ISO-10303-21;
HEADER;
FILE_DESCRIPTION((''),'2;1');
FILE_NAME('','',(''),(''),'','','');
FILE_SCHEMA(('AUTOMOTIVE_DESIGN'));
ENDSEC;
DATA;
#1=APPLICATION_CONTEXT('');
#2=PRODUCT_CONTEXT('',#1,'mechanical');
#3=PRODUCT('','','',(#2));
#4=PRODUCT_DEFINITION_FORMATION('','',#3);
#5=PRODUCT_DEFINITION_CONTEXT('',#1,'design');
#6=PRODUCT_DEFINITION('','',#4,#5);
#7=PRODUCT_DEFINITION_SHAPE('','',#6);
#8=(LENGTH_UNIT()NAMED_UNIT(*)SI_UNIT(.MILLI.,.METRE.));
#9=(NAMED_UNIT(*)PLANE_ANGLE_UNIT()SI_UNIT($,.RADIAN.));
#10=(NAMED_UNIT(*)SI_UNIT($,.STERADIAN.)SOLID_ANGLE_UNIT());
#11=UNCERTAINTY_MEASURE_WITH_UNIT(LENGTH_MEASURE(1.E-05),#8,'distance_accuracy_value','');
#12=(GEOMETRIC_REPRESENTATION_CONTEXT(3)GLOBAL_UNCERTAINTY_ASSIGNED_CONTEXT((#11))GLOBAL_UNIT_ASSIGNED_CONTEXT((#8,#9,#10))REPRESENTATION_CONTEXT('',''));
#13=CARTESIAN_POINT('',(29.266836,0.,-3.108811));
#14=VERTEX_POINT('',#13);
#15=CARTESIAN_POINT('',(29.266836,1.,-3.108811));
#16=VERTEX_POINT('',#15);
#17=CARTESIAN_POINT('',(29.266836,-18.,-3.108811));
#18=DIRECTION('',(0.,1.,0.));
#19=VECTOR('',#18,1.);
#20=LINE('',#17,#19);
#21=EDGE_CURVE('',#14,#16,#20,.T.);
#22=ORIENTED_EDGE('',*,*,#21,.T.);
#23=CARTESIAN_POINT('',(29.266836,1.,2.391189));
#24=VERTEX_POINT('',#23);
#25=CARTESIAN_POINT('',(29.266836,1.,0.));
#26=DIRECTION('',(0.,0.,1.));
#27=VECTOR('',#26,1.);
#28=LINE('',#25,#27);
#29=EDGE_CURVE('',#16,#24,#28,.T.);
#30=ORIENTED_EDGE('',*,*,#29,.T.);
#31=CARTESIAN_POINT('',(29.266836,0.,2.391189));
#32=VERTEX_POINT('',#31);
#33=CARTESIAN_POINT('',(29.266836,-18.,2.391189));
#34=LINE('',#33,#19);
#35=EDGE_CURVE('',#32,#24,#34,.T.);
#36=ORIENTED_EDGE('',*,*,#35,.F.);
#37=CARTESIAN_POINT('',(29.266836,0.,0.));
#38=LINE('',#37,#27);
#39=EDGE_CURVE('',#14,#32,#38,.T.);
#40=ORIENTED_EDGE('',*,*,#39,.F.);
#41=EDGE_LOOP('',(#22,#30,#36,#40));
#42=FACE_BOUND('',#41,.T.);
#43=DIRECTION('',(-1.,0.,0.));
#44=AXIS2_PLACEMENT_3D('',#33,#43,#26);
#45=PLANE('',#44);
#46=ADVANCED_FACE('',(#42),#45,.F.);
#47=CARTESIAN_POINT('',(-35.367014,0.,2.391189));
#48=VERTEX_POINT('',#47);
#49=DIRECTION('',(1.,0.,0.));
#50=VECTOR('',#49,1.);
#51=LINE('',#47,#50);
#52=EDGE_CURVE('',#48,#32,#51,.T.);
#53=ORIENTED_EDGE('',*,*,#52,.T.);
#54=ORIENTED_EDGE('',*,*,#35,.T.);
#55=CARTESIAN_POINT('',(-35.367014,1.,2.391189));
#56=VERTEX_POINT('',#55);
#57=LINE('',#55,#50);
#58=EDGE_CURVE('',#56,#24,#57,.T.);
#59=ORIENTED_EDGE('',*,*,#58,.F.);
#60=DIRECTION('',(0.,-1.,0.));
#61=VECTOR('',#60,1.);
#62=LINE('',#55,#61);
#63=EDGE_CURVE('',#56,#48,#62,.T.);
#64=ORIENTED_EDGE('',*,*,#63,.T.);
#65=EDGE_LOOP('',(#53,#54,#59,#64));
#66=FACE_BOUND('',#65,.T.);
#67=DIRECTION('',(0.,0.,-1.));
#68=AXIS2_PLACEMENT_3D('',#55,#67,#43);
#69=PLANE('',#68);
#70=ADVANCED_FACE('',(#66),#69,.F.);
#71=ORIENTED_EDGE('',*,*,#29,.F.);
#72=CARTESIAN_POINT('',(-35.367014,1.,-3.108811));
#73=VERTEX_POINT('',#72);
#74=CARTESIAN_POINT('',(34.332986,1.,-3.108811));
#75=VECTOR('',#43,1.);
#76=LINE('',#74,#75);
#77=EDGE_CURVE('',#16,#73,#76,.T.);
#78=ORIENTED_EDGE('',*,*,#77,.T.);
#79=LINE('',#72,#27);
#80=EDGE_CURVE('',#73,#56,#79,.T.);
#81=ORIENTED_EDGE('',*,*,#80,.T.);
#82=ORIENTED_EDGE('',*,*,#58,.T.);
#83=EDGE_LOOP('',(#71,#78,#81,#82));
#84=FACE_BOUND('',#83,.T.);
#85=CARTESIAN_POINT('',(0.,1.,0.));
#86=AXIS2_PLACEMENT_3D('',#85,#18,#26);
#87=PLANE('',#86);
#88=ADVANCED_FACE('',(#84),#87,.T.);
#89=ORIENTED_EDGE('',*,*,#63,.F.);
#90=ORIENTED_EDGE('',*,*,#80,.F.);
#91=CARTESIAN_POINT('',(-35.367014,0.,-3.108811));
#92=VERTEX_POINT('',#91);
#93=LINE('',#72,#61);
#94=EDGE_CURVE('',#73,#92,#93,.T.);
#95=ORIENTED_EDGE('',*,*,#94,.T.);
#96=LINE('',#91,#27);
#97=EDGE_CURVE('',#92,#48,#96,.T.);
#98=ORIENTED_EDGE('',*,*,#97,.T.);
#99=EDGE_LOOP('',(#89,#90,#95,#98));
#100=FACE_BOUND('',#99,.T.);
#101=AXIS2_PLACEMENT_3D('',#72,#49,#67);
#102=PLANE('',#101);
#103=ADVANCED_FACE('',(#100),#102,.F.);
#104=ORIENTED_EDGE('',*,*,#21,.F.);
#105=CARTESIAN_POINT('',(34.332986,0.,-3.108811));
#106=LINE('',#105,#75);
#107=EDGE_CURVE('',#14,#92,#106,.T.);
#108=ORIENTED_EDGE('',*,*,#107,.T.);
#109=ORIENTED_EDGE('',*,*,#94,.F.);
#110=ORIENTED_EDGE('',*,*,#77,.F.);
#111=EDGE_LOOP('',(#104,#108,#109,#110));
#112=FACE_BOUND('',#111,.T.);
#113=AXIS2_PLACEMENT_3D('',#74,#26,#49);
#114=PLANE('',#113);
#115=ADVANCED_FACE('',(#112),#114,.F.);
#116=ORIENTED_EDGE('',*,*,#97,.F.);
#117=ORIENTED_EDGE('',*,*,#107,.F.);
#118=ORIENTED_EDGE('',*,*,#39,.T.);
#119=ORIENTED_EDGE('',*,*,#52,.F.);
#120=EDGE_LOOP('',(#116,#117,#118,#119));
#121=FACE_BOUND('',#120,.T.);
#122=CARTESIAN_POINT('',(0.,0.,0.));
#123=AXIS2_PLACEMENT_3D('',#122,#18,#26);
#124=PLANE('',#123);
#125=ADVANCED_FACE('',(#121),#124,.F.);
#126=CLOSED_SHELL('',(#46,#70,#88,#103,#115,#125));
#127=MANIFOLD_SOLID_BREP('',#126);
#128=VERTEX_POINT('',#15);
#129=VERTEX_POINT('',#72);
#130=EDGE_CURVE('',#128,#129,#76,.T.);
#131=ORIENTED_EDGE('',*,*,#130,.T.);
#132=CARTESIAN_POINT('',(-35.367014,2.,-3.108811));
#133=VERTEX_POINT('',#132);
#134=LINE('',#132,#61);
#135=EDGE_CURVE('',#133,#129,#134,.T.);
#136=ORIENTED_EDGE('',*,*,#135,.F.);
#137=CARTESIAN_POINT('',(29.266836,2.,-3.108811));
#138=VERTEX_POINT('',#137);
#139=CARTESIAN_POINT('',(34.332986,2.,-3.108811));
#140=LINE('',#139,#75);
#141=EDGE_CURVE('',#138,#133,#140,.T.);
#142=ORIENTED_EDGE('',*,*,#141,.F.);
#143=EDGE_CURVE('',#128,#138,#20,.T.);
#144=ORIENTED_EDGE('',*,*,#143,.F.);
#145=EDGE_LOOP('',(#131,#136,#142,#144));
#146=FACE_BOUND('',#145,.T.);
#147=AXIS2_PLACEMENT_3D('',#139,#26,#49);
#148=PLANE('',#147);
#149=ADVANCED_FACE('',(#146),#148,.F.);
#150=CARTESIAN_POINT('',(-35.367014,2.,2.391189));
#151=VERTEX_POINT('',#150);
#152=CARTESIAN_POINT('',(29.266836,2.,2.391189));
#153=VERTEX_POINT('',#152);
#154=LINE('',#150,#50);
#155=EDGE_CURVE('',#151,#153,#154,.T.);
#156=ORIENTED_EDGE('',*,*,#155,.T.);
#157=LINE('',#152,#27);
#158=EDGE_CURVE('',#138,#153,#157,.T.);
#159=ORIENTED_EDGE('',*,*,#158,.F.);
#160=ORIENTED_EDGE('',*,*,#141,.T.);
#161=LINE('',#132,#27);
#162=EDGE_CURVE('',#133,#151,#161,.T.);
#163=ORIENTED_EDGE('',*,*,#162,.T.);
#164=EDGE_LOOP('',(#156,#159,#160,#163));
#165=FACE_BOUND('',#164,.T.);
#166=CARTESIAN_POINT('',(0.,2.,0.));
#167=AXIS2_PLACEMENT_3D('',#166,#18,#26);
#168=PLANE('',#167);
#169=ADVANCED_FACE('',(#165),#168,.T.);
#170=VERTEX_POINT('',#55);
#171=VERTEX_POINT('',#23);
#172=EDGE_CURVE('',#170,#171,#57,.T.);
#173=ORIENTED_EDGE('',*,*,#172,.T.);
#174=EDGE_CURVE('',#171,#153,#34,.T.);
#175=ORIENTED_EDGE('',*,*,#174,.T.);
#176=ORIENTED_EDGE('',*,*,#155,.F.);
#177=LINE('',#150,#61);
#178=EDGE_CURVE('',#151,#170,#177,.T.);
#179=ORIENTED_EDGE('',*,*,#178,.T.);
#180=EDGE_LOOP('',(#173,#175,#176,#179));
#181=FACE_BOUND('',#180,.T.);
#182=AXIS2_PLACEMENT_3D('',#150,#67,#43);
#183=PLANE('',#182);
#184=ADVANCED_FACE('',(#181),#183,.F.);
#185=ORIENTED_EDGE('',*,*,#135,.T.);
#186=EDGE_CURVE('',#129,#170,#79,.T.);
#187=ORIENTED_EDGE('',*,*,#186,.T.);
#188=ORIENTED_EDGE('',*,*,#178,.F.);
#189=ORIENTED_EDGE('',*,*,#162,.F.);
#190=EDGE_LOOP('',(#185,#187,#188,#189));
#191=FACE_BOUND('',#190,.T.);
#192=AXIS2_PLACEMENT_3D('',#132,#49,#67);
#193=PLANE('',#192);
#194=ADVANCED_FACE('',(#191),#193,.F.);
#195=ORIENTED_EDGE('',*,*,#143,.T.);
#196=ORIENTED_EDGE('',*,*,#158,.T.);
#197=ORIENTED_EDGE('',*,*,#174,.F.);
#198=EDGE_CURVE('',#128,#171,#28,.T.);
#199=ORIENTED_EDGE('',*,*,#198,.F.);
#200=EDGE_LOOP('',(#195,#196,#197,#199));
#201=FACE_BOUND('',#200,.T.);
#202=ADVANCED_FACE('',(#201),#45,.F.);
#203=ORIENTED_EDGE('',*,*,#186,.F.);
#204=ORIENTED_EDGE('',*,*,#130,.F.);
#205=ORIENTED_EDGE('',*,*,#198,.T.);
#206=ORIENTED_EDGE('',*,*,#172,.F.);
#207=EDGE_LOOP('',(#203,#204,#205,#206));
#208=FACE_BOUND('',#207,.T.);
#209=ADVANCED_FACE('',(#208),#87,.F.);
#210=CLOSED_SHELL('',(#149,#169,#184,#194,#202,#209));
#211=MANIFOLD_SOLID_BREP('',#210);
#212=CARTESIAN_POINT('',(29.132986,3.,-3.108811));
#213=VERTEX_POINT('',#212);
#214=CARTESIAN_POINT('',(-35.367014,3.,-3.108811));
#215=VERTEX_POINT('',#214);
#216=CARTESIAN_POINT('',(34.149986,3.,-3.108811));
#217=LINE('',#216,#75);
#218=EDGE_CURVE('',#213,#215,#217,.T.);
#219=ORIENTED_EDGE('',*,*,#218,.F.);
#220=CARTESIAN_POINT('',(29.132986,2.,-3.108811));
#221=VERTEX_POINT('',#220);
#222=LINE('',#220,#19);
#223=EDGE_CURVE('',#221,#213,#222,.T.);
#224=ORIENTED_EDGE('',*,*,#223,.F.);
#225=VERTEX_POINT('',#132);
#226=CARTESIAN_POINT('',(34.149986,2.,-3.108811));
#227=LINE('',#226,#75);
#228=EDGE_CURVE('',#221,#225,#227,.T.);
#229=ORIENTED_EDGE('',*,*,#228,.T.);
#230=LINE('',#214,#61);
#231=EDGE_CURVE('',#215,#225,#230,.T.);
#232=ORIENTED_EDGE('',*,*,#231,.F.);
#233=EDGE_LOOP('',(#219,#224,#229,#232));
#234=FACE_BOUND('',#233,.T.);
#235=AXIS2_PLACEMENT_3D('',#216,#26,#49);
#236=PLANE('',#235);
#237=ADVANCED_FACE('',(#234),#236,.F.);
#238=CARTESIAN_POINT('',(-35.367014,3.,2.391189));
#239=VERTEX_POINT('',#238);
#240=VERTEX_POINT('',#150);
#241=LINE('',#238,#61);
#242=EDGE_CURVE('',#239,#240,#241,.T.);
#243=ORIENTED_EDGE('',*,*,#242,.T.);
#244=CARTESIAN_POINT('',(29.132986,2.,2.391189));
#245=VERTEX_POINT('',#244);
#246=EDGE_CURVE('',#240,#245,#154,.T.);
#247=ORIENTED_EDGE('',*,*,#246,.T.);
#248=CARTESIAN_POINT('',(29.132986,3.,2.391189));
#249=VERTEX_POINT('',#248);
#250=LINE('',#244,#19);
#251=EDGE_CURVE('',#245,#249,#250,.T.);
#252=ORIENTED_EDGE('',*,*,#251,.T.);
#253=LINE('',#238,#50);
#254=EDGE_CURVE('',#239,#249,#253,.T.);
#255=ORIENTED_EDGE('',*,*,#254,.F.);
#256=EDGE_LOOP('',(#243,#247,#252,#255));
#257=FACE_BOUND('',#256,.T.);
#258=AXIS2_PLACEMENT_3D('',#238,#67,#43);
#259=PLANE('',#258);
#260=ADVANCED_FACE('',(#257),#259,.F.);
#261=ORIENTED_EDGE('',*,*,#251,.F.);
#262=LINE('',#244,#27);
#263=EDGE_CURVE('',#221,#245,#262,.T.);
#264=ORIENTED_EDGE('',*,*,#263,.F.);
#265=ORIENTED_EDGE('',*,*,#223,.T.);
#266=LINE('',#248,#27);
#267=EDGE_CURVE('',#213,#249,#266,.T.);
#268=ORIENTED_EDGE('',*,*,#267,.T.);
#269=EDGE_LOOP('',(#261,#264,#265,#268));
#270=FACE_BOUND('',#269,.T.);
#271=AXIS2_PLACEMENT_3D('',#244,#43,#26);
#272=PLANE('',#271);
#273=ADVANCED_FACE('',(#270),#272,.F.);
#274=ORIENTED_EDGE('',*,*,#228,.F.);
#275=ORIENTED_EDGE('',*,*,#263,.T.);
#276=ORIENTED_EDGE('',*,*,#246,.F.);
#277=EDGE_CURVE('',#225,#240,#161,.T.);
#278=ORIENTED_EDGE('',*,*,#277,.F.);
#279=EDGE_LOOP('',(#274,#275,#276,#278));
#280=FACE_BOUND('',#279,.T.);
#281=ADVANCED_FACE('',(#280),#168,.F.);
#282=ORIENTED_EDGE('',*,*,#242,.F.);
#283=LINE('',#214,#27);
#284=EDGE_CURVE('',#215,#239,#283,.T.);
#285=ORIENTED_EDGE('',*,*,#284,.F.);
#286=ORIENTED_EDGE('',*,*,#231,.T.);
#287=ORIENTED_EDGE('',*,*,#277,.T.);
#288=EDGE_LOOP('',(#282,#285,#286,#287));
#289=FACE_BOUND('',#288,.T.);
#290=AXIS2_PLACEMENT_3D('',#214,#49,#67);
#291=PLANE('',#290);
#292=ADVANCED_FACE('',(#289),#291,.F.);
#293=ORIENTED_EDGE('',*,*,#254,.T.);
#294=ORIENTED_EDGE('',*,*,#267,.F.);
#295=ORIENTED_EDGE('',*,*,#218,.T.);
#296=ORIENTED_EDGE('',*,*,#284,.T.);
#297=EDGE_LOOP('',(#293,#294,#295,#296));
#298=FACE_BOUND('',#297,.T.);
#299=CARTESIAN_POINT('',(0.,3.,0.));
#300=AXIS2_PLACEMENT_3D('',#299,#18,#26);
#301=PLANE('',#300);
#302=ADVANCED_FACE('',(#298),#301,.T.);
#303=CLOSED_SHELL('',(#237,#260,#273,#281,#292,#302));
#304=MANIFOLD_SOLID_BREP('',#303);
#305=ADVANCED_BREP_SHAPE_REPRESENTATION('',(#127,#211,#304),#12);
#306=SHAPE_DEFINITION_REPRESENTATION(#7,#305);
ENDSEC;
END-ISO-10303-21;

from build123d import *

# Parameters (mm, degrees)
SKETCH2_W           = 69.7
SKETCH2_H           = 5.5
BOSS_EXTRUDE1_DEPTH = 1
SKETCH4_W           = 69.7
SKETCH4_H           = 5.5
BOSS_EXTRUDE2_DEPTH = 1
SKETCH5_W           = 69.517
SKETCH5_H           = 5.5
BOSS_EXTRUDE3_DEPTH = 1
SKETCH7_W           = 5.2
SKETCH7_H           = 5.5
CUT_EXTRUDE3_DEPTH  = 1
SKETCH8_W           = 5.066150396
SKETCH8_H           = 5.5
CUT_EXTRUDE4_DEPTH  = 20


with BuildPart() as part:
    # Sketch2 → Boss-Extrude1 (new body)
    with BuildSketch(Plane(origin=(0, 0, 0), x_dir=(1, 0, 0), z_dir=(0, 1, 0))):
        with Locations((-0.517013938, 0.358810535)):
            Rectangle(SKETCH2_W, SKETCH2_H)
    extrude(amount=BOSS_EXTRUDE1_DEPTH)


with BuildPart() as body_2:
    # Sketch4 → Boss-Extrude2 (new body)
    with BuildSketch(Plane(origin=(0, 1, 0), x_dir=(1, 0, 0), z_dir=(0, 1, 0))):
        with Locations((-0.517013938, 0.358810535)):
            Rectangle(SKETCH4_W, SKETCH4_H)
    extrude(amount=BOSS_EXTRUDE2_DEPTH)


with BuildPart() as body_3:
    # Sketch5 → Boss-Extrude3 (new body)
    with BuildSketch(Plane(origin=(0, 2, 0), x_dir=(1, 0, 0), z_dir=(0, 1, 0))):
        with Locations((-0.608513938, 0.358810535)):
            Rectangle(SKETCH5_W, SKETCH5_H)
    extrude(amount=BOSS_EXTRUDE3_DEPTH)

    # Sketch7 → Cut-Extrude3 (cut)
    with BuildSketch(Plane(origin=(0, 3, 0), x_dir=(1, 0, 0), z_dir=(0, 1, 0))):
        with Locations((31.732986062, 0.358810535)):
            Rectangle(SKETCH7_W, SKETCH7_H)
    extrude(amount=-CUT_EXTRUDE3_DEPTH, mode=Mode.SUBTRACT)


with BuildPart() as cut_extrude4_tool:
    # Sketch8 → Cut-Extrude4 (new body)
    with BuildSketch(Plane(origin=(0, 2, 0), x_dir=(1, 0, 0), z_dir=(0, 1, 0))):
        with Locations((31.799910864, 0.358810535)):
            Rectangle(SKETCH8_W, SKETCH8_H)
    extrude(amount=-CUT_EXTRUDE4_DEPTH)


with BuildPart() as part_1:
    add(part.part)

    # Cut-Extrude4: cut by cut_extrude4_tool
    add(cut_extrude4_tool.part, mode=Mode.SUBTRACT)


with BuildPart() as body_2_1:
    add(body_2.part)

    # Cut-Extrude4: cut by cut_extrude4_tool
    add(cut_extrude4_tool.part, mode=Mode.SUBTRACT)


solid = Compound([body_3.part, part_1.part, body_2_1.part])
